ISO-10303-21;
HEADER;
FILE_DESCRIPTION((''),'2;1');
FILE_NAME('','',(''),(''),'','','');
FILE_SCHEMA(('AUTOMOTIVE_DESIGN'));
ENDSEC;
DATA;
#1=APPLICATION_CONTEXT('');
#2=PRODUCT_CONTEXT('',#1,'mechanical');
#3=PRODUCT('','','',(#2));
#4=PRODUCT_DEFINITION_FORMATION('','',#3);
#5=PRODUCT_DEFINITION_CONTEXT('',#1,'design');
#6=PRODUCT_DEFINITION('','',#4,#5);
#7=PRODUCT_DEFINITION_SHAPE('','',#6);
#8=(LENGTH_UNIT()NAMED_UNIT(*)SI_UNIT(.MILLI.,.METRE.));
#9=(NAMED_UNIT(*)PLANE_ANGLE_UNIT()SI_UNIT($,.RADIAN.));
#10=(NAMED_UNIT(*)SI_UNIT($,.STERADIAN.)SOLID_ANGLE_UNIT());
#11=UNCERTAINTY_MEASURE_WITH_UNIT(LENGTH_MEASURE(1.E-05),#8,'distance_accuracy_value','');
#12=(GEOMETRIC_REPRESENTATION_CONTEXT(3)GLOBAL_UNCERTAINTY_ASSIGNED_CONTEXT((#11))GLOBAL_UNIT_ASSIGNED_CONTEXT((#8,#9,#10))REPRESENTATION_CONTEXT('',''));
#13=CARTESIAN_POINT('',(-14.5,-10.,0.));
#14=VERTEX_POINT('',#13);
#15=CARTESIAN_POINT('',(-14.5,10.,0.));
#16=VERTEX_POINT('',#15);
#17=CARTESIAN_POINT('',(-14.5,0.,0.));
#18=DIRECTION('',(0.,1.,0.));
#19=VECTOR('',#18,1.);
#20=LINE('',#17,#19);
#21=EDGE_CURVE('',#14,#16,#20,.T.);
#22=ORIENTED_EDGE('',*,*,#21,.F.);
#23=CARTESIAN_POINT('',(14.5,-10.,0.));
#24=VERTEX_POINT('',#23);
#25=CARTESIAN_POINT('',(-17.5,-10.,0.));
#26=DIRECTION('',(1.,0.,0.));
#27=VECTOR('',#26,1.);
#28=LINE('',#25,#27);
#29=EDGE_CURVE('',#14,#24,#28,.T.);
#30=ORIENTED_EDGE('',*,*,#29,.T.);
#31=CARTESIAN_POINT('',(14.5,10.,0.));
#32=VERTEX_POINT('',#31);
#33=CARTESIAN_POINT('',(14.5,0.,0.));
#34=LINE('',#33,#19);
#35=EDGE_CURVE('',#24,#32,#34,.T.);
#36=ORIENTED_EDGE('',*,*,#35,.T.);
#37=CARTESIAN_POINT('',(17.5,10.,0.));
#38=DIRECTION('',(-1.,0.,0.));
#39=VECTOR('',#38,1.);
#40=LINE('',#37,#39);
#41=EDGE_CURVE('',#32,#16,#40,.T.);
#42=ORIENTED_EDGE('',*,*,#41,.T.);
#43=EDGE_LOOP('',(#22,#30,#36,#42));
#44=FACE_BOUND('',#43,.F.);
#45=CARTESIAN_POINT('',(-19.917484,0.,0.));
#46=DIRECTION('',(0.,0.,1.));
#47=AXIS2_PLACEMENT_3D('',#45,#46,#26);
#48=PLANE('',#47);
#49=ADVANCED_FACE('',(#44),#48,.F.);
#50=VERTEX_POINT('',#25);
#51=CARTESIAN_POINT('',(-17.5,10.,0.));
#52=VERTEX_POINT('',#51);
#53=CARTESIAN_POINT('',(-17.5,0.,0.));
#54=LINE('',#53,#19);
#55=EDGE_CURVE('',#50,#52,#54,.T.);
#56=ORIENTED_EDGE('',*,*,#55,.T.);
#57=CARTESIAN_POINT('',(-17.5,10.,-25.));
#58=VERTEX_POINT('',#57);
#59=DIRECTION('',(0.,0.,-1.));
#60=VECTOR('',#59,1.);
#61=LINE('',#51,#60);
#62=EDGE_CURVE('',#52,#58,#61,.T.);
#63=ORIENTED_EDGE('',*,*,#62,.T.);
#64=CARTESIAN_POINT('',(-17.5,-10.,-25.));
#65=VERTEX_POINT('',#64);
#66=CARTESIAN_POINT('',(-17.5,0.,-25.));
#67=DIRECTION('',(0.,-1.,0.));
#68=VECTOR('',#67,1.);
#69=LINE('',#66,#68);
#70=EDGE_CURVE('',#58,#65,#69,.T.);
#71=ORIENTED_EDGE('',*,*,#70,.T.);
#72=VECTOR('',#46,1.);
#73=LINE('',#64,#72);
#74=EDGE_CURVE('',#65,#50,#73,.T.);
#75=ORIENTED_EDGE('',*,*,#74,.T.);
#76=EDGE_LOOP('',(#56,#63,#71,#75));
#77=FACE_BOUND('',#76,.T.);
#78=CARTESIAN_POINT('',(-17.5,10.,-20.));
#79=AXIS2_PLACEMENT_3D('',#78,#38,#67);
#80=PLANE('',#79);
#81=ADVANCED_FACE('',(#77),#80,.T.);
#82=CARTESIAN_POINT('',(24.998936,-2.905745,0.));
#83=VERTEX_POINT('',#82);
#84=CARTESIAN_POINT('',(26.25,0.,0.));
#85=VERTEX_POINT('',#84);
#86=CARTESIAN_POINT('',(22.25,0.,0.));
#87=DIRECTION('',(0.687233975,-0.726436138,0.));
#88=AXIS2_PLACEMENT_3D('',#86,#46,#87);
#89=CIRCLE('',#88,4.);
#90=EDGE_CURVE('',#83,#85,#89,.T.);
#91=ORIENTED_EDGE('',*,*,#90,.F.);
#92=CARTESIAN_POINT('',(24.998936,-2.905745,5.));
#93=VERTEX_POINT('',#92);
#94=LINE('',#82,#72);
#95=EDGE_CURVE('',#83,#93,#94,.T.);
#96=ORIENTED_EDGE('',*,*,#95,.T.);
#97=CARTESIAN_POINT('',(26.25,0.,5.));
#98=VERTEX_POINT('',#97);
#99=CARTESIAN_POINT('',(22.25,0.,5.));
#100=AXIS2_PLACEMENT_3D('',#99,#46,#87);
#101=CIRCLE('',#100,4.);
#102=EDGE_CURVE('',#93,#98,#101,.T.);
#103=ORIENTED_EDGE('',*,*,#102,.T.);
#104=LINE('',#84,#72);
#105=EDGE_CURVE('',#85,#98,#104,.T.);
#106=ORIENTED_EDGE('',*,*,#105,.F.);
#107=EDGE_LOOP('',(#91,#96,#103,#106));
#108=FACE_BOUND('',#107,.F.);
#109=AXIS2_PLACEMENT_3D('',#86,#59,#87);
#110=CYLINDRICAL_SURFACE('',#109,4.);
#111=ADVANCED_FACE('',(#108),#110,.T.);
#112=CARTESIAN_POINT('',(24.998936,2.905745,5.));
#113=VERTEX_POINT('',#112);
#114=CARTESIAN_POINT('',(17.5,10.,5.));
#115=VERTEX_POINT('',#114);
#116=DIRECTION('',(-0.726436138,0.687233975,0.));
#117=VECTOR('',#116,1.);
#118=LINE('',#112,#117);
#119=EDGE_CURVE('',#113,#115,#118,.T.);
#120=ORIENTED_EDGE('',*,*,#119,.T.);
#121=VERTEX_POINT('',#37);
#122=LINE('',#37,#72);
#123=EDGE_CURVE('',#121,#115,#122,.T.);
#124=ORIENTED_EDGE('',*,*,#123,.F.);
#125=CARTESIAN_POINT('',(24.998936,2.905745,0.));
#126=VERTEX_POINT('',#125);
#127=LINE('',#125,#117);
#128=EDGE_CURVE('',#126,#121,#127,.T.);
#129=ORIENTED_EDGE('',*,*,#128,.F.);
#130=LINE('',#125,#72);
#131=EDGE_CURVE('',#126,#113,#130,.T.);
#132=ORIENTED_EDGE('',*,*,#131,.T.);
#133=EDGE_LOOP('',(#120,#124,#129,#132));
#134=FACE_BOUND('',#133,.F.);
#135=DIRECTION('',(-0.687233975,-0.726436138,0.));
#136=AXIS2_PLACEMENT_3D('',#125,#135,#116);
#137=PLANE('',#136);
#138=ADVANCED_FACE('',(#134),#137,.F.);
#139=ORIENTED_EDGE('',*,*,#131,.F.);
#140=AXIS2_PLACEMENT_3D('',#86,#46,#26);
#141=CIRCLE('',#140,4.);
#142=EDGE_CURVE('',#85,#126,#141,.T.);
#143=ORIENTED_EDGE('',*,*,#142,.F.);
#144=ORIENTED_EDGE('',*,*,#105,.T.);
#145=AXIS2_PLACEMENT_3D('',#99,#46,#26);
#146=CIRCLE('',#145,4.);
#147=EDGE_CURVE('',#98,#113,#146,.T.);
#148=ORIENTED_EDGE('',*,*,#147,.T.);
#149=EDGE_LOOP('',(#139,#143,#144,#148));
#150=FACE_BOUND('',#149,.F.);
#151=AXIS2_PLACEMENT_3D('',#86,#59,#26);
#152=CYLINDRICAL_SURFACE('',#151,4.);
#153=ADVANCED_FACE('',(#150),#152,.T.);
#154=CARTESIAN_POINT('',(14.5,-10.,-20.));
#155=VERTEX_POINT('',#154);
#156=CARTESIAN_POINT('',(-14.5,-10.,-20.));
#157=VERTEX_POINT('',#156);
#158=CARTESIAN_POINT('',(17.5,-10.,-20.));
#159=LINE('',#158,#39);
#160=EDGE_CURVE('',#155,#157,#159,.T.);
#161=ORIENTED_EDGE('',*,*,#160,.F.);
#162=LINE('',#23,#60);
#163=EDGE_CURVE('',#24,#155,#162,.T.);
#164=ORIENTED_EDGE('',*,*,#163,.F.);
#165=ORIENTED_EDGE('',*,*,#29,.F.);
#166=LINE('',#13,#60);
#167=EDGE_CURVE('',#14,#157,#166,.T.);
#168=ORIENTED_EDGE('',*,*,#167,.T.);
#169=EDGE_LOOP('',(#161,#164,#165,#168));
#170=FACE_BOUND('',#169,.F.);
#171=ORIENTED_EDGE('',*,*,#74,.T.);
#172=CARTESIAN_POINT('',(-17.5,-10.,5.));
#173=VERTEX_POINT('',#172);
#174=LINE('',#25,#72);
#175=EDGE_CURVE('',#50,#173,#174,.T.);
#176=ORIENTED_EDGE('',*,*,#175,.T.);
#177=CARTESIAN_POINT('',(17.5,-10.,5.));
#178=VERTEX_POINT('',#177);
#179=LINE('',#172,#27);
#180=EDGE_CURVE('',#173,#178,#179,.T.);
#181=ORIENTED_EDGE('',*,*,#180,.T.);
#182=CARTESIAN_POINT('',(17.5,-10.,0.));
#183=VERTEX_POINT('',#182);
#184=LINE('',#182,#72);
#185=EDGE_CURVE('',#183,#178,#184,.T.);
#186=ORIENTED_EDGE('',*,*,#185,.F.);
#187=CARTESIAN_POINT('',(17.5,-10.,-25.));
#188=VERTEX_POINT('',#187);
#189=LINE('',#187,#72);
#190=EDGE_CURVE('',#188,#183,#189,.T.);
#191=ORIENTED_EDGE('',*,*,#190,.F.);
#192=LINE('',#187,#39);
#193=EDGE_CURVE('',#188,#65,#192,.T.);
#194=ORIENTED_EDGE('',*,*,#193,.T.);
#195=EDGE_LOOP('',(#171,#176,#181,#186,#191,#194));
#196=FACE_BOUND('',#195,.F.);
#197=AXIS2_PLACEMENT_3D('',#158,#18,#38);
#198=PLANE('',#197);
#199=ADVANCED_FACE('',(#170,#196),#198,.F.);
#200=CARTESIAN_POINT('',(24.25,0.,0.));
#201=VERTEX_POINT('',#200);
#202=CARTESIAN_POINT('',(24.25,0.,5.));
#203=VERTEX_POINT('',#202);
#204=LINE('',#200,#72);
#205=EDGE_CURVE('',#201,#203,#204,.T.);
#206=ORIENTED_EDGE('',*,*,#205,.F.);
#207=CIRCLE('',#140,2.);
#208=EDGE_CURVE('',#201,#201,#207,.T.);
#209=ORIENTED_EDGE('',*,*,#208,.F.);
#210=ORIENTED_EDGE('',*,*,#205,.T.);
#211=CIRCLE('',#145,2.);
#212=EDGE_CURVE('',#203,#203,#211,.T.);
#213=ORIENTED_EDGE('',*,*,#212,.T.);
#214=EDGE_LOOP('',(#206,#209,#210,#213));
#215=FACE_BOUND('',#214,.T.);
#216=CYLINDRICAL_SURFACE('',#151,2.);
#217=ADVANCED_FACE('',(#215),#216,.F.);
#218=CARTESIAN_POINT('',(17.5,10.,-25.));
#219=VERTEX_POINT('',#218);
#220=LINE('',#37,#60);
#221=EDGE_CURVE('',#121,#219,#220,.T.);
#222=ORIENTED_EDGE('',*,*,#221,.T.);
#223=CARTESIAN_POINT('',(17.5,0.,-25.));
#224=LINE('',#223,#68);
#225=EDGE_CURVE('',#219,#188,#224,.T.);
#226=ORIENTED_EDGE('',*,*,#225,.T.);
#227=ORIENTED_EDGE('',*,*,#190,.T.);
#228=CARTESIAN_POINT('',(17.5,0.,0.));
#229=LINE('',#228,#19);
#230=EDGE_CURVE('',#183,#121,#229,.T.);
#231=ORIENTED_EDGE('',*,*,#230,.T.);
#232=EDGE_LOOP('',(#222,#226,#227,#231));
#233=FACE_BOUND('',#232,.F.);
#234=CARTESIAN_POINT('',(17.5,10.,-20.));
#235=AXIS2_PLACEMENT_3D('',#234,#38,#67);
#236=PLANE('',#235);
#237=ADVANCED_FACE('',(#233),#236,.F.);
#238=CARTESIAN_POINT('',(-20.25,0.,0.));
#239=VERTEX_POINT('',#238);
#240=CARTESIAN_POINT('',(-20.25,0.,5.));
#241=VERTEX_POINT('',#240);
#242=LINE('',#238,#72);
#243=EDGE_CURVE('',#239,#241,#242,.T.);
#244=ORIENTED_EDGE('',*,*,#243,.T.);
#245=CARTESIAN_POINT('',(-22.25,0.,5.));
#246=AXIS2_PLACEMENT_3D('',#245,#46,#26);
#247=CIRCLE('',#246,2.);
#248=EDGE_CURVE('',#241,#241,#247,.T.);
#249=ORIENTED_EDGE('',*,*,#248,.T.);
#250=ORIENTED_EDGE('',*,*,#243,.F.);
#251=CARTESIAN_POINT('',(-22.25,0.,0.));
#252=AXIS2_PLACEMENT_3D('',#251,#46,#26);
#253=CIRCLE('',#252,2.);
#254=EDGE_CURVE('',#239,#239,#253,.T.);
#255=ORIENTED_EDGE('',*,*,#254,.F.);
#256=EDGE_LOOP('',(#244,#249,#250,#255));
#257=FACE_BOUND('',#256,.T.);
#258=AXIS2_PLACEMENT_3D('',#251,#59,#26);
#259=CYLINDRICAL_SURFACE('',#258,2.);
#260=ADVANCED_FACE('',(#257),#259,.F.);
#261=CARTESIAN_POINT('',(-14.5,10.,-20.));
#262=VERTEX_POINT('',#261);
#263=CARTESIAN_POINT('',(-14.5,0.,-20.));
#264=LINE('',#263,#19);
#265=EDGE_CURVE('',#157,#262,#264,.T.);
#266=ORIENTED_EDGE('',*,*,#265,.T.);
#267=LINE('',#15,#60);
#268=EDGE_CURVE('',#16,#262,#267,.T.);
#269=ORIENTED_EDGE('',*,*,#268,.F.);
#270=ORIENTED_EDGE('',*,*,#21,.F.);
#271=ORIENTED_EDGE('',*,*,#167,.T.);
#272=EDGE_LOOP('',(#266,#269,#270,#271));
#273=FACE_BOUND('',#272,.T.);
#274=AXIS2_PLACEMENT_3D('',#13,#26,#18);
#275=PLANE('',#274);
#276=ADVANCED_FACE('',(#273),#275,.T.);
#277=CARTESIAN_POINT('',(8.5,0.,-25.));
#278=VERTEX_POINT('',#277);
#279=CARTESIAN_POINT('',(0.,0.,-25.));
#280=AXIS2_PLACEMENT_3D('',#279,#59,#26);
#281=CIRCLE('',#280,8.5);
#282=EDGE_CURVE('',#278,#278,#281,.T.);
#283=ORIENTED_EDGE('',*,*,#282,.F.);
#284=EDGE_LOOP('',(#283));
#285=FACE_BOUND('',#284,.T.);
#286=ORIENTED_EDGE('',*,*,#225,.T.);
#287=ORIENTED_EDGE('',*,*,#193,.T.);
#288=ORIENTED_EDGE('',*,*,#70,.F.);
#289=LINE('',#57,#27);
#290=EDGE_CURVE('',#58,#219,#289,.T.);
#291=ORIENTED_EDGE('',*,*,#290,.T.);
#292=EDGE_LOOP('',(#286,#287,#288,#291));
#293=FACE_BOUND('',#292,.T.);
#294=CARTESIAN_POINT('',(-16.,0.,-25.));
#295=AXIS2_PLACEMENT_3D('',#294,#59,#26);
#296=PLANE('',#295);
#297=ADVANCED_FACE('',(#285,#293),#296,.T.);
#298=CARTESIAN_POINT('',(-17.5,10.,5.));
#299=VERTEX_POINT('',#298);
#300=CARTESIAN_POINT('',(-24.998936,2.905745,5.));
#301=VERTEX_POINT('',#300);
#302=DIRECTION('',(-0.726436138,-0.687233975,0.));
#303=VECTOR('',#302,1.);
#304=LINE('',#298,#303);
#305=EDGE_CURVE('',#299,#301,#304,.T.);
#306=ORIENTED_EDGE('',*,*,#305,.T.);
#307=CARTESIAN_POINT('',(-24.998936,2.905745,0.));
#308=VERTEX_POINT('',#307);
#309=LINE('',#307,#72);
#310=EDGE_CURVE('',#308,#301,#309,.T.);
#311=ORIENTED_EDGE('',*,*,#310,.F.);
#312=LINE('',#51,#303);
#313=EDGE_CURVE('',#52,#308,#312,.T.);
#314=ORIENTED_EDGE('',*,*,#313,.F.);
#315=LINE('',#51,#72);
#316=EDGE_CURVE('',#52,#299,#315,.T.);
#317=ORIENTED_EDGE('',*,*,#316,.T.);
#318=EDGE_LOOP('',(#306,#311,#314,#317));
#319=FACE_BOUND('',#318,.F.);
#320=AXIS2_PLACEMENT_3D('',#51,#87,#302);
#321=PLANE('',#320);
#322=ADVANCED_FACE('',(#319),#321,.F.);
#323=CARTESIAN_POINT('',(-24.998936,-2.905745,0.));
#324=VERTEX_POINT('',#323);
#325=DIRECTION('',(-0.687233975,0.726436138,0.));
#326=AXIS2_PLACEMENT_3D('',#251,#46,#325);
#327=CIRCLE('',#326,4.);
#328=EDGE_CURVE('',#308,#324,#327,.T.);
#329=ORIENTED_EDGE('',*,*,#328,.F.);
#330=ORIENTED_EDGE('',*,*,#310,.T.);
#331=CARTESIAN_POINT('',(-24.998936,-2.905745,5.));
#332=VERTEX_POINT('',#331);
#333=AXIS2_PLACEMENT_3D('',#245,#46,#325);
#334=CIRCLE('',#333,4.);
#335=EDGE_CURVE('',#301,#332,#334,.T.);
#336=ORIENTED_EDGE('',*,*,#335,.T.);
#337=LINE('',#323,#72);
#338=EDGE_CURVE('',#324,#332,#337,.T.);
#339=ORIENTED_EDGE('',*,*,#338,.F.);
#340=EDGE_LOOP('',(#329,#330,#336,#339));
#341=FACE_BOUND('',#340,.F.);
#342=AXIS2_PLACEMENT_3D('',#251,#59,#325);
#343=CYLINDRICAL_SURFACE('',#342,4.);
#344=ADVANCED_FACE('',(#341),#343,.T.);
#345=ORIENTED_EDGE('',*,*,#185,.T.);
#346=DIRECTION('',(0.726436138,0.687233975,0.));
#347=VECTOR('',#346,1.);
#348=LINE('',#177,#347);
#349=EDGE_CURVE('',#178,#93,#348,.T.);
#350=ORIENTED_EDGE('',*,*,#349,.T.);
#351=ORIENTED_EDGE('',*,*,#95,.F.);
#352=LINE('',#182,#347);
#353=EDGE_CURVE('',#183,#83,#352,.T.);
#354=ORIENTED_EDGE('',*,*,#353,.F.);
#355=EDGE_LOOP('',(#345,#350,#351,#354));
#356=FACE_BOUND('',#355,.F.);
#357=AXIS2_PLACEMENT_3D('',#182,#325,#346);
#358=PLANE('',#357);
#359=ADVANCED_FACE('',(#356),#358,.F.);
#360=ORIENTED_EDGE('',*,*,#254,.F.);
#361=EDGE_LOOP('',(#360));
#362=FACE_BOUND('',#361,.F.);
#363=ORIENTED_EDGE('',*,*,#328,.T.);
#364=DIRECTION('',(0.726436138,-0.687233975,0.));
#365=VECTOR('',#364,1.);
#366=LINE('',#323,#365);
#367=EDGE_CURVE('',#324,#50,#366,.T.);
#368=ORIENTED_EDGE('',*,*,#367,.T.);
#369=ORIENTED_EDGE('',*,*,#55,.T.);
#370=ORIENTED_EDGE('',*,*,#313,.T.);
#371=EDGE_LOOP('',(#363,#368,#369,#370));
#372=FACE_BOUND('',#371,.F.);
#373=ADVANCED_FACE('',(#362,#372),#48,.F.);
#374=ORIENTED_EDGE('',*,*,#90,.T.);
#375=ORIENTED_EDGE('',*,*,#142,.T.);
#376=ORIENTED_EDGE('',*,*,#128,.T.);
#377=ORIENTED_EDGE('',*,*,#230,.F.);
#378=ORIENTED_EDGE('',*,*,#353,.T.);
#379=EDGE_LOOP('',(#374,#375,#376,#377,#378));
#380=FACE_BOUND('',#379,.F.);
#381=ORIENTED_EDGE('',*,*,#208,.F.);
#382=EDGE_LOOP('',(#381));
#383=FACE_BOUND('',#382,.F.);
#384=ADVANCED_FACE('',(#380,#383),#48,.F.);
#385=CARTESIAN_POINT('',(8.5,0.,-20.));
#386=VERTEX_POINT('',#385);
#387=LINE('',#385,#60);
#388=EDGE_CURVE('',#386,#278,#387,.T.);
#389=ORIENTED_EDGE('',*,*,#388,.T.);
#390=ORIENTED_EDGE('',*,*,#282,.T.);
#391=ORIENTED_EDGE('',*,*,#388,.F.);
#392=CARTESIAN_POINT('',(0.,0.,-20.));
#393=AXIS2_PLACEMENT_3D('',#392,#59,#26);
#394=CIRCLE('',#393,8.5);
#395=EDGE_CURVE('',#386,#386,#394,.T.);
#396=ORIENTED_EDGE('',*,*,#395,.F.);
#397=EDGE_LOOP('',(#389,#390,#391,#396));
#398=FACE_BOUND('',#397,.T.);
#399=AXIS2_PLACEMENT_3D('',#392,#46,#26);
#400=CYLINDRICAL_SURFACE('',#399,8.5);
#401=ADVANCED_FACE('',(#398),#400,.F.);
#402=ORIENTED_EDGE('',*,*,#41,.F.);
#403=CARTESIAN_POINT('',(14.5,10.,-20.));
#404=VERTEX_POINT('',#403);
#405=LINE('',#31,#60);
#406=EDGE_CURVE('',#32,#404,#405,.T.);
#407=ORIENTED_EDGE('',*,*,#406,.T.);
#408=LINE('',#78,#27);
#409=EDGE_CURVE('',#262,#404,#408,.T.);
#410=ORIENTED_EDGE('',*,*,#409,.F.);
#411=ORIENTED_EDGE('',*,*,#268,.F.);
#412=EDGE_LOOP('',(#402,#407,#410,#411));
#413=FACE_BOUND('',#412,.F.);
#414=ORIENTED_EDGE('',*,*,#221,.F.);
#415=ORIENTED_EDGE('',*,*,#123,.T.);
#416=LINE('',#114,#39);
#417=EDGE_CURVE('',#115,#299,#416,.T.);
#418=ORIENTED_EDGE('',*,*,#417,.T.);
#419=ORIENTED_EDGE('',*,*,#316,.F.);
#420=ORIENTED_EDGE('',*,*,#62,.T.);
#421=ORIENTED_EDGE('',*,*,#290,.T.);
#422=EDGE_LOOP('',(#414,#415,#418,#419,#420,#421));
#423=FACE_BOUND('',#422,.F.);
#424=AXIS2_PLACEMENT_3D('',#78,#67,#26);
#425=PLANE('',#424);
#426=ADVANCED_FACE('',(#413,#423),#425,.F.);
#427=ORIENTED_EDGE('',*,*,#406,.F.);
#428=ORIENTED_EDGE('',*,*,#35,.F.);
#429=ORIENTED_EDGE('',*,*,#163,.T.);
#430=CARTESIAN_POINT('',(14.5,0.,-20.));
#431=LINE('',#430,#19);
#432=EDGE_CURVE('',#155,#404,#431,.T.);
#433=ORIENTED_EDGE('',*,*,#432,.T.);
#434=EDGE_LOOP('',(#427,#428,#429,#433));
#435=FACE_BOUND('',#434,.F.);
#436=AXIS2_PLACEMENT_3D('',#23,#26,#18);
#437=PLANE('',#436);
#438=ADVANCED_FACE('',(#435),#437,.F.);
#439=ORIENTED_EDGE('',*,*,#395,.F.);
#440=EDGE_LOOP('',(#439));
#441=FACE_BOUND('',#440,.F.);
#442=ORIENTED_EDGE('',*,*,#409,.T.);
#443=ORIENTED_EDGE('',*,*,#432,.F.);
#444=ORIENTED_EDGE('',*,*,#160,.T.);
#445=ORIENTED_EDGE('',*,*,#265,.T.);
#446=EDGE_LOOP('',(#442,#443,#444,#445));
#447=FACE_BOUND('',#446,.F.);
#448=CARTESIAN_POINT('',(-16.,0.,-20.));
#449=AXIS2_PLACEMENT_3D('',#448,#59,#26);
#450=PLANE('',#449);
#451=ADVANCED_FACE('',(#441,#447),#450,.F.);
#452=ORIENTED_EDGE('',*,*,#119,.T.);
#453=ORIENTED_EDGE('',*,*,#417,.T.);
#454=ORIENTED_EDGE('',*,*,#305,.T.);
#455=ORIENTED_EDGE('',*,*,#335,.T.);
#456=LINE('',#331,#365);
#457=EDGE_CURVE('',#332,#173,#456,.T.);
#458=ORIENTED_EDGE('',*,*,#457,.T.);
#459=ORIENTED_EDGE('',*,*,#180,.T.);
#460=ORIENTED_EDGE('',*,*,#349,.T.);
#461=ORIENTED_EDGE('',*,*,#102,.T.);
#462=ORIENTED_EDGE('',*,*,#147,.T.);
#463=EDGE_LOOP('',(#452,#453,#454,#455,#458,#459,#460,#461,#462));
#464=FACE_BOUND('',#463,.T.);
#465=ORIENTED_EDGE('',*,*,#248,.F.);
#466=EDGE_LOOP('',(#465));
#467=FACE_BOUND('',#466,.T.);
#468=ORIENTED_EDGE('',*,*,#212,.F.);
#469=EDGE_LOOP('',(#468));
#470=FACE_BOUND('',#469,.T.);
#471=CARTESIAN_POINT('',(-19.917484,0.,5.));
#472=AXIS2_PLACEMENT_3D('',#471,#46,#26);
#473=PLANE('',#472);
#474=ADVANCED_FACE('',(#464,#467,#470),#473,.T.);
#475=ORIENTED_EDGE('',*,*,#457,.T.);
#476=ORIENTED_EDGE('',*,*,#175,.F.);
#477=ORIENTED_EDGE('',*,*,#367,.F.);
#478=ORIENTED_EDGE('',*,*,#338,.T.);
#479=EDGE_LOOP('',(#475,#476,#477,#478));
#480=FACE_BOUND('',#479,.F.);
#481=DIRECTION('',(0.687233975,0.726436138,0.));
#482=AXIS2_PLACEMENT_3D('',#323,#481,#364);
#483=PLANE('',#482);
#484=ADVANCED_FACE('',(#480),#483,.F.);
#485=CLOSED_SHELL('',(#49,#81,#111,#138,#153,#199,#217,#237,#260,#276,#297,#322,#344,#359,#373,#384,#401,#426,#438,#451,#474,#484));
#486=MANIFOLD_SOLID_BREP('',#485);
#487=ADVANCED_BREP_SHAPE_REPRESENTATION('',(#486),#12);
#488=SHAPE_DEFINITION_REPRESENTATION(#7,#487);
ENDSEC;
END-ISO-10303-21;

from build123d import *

# Parameters (mm, degrees)
F0_R     = 2
F0_W     = 3
F0_H     = 20
F0_W_2   = 29
F1_DEPTH = 5
F2_DEPTH = 20
F3_W     = 3
F3_H     = 20
F3_W_2   = 32
F3_R     = 8.5
F4_DEPTH = 5


with BuildPart() as f1:
    # F0 (on Top) → F1 (new body)
    with BuildSketch(Plane.XY):
        with BuildLine():
            Line((-17.5, -10), (-17.5, 10))
            Line((-17.5, 10), (-24.9989359016, 2.9057445533))
            ThreePointArc((-24.9989359016, 2.9057445533), (-20.6681883182, 3.6739449919), (-18.25, 0))
            ThreePointArc((-18.25, 0), (-20.6681883182, -3.6739449919), (-24.9989359016, -2.9057445533))
            Line((-24.9989359016, -2.9057445533), (-17.5, -10))
        make_face()
        with BuildLine():
            ThreePointArc((-18.25, 0), (-20.6681883182, 3.6739449919), (-24.9989359016, 2.9057445533))
            ThreePointArc((-24.9989359016, 2.9057445533), (-26.25, 0), (-24.9989359016, -2.9057445533))
            ThreePointArc((-24.9989359016, -2.9057445533), (-20.6681883182, -3.6739449919), (-18.25, 0))
        make_face()
        with Locations((-22.25, 0)):
            Circle(F0_R, mode=Mode.SUBTRACT)
        with Locations((-16, 0)):
            Rectangle(F0_W, F0_H)
        Rectangle(F0_W_2, F0_H)
        with Locations((16, 0)):
            Rectangle(F0_W, F0_H)
        with BuildLine():
            Line((24.9989359016, 2.9057445533), (17.5, 10))
            Line((17.5, 10), (17.5, -10))
            Line((17.5, -10), (24.9989359016, -2.9057445533))
            ThreePointArc((24.9989359016, -2.9057445533), (18.25, 0), (24.9989359016, 2.9057445533))
        make_face()
        with BuildLine():
            ThreePointArc((26.25, 0), (25.9239449919, 1.5818116818), (24.9989359016, 2.9057445533))
            ThreePointArc((24.9989359016, 2.9057445533), (18.25, 0), (24.9989359016, -2.9057445533))
            ThreePointArc((24.9989359016, -2.9057445533), (25.9239449919, -1.5818116818), (26.25, 0))
        make_face()
        with Locations((22.25, 0)):
            Circle(F0_R, mode=Mode.SUBTRACT)
    extrude(amount=F1_DEPTH)

    # F0 (on Top) → F2 (join)
    with BuildSketch(Plane.XY):
        with Locations((-16, 0)):
            Rectangle(F0_W, F0_H)
        with Locations((16, 0)):
            Rectangle(F0_W, F0_H)
    extrude(amount=-F2_DEPTH)

    # F3 (on face) → F4 (join)
    with BuildSketch(Plane(origin=(0, 0, -20), x_dir=(1, 0, 0), z_dir=(0, 0, -1))):
        with Locations((-16, 0)):
            Rectangle(F3_W, F3_H)
        with Locations((1.5, 0)):
            Rectangle(F3_W_2, F3_H)
        Circle(F3_R, mode=Mode.SUBTRACT)
    extrude(amount=F4_DEPTH)


solid = f1.part
